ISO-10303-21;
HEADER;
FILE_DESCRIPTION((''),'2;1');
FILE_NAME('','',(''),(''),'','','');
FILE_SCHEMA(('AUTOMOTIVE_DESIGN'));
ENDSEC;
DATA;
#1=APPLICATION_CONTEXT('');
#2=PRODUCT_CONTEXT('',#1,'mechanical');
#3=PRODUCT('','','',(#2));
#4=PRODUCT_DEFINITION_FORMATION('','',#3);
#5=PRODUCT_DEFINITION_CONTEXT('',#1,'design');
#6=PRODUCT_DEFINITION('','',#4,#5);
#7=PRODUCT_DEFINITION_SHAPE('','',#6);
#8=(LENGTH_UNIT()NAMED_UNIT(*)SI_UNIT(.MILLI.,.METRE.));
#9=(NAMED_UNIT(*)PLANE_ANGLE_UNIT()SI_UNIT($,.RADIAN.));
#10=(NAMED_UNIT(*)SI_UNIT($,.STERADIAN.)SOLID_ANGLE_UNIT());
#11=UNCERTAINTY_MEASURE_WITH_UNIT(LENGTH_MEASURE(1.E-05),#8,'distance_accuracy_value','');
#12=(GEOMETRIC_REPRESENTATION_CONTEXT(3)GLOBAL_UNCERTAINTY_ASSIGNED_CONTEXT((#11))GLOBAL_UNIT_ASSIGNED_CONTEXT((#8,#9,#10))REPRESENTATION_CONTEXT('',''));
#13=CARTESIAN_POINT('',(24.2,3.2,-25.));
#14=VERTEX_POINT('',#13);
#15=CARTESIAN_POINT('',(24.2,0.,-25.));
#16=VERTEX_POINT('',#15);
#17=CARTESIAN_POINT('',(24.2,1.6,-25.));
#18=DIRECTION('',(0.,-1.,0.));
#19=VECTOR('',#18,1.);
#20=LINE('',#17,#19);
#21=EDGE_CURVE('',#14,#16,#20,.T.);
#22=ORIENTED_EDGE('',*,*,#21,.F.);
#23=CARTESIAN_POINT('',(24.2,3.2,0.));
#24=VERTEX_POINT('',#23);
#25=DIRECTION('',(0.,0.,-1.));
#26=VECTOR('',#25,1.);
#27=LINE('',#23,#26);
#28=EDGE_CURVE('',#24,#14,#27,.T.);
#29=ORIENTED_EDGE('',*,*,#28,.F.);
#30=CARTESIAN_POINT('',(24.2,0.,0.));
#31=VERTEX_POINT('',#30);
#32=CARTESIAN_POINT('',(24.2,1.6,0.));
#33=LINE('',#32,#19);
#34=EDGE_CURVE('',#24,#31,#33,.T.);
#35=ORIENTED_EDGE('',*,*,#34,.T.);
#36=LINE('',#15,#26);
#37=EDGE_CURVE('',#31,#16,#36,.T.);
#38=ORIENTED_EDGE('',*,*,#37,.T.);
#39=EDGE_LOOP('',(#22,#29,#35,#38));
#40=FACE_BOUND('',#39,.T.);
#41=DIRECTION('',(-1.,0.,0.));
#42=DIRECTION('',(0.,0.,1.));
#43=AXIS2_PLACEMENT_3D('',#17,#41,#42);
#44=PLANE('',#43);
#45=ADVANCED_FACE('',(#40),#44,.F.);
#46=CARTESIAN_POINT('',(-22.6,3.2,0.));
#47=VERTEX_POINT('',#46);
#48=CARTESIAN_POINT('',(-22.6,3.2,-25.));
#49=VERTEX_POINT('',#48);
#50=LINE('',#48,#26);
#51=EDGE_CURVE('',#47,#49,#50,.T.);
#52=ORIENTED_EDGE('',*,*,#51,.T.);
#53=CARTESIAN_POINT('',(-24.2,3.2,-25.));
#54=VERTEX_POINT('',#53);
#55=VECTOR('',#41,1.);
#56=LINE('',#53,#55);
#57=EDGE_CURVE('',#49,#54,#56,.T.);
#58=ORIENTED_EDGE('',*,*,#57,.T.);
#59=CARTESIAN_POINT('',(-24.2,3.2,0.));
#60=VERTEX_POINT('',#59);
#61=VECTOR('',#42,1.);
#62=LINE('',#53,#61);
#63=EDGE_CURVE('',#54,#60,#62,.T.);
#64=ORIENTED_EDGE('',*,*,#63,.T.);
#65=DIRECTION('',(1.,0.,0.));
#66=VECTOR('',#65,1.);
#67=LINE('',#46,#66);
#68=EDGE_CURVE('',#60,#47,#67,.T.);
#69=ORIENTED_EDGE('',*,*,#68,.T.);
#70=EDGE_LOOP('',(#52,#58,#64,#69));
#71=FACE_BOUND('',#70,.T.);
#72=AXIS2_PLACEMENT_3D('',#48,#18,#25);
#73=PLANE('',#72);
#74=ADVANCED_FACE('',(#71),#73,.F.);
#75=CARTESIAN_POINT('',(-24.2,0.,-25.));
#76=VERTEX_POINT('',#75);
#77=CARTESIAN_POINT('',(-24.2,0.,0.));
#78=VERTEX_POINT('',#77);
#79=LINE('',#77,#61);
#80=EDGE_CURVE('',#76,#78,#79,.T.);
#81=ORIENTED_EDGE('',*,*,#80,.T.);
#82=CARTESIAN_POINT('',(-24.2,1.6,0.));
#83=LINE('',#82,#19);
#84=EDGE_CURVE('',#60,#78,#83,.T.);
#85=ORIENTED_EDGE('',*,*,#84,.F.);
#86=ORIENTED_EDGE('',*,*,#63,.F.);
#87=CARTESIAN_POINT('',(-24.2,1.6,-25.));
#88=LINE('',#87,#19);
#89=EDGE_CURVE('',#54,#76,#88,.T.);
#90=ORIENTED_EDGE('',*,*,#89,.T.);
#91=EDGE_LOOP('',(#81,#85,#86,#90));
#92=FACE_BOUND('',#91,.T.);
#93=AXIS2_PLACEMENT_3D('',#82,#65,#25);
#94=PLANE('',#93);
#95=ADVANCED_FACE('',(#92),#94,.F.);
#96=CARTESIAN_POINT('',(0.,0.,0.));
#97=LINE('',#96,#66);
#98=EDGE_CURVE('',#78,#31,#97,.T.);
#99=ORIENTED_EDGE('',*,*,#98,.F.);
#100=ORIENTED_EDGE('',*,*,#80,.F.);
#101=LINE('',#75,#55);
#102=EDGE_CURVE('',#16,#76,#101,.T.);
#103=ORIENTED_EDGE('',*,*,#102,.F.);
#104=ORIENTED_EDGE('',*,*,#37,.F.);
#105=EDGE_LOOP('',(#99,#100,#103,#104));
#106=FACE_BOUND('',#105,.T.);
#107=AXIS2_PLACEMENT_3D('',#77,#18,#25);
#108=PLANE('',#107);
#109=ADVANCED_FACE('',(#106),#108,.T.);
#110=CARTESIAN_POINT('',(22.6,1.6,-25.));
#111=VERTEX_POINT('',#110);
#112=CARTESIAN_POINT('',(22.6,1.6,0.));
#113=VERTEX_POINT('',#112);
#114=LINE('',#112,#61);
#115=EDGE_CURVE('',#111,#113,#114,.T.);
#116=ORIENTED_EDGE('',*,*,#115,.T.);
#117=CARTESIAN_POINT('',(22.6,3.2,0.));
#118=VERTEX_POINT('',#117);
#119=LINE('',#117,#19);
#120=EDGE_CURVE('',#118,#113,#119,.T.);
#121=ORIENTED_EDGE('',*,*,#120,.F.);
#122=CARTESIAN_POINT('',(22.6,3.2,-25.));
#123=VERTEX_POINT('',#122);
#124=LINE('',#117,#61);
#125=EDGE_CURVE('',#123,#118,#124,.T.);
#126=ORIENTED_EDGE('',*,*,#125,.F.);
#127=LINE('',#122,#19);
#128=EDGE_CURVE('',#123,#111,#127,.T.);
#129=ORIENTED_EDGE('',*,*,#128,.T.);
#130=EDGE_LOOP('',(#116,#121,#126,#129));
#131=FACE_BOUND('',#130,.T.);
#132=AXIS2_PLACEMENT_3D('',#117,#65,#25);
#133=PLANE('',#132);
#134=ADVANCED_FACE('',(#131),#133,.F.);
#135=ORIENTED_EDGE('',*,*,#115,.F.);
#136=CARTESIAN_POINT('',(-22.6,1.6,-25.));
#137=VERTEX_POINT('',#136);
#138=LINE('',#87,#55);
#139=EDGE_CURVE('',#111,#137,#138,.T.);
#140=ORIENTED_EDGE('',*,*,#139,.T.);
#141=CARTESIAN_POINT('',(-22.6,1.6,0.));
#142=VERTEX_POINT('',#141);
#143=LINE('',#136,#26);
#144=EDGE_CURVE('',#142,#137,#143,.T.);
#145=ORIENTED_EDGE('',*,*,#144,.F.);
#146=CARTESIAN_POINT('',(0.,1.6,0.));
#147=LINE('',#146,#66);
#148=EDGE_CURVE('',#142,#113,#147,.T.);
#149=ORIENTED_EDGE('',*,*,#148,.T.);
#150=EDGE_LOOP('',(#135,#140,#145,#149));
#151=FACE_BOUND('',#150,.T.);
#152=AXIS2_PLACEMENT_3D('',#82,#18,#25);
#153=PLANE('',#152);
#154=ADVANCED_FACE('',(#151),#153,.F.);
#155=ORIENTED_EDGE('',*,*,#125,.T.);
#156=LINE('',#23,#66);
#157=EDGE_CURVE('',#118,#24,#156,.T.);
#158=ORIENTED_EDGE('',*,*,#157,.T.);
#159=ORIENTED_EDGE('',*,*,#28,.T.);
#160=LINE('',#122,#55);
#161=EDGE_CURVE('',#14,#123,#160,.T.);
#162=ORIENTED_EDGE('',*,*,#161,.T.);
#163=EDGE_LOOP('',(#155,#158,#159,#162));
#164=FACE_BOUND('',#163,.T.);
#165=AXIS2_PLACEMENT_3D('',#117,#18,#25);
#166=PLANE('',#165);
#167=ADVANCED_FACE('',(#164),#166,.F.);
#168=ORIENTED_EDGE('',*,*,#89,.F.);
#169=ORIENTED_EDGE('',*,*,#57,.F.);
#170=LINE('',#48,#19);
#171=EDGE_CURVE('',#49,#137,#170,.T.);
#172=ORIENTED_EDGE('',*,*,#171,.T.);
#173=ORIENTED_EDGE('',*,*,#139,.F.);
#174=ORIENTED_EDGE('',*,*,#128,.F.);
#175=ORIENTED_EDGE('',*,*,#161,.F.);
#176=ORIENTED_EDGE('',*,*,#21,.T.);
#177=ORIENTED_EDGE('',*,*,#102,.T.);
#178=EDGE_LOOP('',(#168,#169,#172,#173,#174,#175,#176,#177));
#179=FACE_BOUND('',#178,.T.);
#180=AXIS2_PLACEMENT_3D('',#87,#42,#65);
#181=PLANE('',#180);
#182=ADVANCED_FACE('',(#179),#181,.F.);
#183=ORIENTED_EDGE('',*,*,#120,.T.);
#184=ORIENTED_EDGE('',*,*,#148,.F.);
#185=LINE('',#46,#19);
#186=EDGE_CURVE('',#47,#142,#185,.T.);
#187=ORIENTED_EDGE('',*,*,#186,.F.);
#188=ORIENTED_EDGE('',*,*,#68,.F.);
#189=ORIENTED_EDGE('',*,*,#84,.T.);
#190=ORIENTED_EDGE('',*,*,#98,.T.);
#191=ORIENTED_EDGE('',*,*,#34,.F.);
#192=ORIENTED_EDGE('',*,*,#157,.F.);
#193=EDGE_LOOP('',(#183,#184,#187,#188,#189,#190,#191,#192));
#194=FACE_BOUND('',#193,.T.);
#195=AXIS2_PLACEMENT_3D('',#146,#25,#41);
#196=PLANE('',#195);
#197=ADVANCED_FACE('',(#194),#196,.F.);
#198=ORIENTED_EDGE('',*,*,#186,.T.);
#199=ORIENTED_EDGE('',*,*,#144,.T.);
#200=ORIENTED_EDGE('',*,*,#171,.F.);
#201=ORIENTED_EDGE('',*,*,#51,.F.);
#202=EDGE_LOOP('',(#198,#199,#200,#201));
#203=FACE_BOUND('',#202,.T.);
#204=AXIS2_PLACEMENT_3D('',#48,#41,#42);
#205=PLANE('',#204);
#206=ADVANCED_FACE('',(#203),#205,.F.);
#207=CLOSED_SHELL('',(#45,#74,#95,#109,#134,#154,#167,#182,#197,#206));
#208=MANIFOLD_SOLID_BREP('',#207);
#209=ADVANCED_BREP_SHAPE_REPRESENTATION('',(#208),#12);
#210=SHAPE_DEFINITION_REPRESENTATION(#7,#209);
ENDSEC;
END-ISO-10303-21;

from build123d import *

# Parameters (mm, degrees)
BOSS_EXTRUDE1_DEPTH = 1.6
SKETCH2_W           = 1.6
SKETCH2_H           = 25
BOSS_EXTRUDE2_DEPTH = 1.6


with BuildPart() as part:
    # Sketch1 → Boss-Extrude1 (new body)
    with BuildSketch(Plane(origin=(0, 0, 0), x_dir=(1, 0, 0), z_dir=(0, 1, 0))):
        Polygon((0, 0), (24.2, 0), (24.2, 25), (-24.2, 25), (-24.2, 0), align=None)
    extrude(amount=BOSS_EXTRUDE1_DEPTH)

    # Sketch2 → Boss-Extrude2 (add)
    with BuildSketch(Plane(origin=(0, 1.6, 0), x_dir=(1, 0, 0), z_dir=(0, 1, 0))):
        with Locations((-23.4, 12.5)):
            Rectangle(SKETCH2_W, SKETCH2_H)
        with Locations((23.4, 12.5)):
            Rectangle(SKETCH2_W, SKETCH2_H)
    extrude(amount=BOSS_EXTRUDE2_DEPTH)


solid = part.part
